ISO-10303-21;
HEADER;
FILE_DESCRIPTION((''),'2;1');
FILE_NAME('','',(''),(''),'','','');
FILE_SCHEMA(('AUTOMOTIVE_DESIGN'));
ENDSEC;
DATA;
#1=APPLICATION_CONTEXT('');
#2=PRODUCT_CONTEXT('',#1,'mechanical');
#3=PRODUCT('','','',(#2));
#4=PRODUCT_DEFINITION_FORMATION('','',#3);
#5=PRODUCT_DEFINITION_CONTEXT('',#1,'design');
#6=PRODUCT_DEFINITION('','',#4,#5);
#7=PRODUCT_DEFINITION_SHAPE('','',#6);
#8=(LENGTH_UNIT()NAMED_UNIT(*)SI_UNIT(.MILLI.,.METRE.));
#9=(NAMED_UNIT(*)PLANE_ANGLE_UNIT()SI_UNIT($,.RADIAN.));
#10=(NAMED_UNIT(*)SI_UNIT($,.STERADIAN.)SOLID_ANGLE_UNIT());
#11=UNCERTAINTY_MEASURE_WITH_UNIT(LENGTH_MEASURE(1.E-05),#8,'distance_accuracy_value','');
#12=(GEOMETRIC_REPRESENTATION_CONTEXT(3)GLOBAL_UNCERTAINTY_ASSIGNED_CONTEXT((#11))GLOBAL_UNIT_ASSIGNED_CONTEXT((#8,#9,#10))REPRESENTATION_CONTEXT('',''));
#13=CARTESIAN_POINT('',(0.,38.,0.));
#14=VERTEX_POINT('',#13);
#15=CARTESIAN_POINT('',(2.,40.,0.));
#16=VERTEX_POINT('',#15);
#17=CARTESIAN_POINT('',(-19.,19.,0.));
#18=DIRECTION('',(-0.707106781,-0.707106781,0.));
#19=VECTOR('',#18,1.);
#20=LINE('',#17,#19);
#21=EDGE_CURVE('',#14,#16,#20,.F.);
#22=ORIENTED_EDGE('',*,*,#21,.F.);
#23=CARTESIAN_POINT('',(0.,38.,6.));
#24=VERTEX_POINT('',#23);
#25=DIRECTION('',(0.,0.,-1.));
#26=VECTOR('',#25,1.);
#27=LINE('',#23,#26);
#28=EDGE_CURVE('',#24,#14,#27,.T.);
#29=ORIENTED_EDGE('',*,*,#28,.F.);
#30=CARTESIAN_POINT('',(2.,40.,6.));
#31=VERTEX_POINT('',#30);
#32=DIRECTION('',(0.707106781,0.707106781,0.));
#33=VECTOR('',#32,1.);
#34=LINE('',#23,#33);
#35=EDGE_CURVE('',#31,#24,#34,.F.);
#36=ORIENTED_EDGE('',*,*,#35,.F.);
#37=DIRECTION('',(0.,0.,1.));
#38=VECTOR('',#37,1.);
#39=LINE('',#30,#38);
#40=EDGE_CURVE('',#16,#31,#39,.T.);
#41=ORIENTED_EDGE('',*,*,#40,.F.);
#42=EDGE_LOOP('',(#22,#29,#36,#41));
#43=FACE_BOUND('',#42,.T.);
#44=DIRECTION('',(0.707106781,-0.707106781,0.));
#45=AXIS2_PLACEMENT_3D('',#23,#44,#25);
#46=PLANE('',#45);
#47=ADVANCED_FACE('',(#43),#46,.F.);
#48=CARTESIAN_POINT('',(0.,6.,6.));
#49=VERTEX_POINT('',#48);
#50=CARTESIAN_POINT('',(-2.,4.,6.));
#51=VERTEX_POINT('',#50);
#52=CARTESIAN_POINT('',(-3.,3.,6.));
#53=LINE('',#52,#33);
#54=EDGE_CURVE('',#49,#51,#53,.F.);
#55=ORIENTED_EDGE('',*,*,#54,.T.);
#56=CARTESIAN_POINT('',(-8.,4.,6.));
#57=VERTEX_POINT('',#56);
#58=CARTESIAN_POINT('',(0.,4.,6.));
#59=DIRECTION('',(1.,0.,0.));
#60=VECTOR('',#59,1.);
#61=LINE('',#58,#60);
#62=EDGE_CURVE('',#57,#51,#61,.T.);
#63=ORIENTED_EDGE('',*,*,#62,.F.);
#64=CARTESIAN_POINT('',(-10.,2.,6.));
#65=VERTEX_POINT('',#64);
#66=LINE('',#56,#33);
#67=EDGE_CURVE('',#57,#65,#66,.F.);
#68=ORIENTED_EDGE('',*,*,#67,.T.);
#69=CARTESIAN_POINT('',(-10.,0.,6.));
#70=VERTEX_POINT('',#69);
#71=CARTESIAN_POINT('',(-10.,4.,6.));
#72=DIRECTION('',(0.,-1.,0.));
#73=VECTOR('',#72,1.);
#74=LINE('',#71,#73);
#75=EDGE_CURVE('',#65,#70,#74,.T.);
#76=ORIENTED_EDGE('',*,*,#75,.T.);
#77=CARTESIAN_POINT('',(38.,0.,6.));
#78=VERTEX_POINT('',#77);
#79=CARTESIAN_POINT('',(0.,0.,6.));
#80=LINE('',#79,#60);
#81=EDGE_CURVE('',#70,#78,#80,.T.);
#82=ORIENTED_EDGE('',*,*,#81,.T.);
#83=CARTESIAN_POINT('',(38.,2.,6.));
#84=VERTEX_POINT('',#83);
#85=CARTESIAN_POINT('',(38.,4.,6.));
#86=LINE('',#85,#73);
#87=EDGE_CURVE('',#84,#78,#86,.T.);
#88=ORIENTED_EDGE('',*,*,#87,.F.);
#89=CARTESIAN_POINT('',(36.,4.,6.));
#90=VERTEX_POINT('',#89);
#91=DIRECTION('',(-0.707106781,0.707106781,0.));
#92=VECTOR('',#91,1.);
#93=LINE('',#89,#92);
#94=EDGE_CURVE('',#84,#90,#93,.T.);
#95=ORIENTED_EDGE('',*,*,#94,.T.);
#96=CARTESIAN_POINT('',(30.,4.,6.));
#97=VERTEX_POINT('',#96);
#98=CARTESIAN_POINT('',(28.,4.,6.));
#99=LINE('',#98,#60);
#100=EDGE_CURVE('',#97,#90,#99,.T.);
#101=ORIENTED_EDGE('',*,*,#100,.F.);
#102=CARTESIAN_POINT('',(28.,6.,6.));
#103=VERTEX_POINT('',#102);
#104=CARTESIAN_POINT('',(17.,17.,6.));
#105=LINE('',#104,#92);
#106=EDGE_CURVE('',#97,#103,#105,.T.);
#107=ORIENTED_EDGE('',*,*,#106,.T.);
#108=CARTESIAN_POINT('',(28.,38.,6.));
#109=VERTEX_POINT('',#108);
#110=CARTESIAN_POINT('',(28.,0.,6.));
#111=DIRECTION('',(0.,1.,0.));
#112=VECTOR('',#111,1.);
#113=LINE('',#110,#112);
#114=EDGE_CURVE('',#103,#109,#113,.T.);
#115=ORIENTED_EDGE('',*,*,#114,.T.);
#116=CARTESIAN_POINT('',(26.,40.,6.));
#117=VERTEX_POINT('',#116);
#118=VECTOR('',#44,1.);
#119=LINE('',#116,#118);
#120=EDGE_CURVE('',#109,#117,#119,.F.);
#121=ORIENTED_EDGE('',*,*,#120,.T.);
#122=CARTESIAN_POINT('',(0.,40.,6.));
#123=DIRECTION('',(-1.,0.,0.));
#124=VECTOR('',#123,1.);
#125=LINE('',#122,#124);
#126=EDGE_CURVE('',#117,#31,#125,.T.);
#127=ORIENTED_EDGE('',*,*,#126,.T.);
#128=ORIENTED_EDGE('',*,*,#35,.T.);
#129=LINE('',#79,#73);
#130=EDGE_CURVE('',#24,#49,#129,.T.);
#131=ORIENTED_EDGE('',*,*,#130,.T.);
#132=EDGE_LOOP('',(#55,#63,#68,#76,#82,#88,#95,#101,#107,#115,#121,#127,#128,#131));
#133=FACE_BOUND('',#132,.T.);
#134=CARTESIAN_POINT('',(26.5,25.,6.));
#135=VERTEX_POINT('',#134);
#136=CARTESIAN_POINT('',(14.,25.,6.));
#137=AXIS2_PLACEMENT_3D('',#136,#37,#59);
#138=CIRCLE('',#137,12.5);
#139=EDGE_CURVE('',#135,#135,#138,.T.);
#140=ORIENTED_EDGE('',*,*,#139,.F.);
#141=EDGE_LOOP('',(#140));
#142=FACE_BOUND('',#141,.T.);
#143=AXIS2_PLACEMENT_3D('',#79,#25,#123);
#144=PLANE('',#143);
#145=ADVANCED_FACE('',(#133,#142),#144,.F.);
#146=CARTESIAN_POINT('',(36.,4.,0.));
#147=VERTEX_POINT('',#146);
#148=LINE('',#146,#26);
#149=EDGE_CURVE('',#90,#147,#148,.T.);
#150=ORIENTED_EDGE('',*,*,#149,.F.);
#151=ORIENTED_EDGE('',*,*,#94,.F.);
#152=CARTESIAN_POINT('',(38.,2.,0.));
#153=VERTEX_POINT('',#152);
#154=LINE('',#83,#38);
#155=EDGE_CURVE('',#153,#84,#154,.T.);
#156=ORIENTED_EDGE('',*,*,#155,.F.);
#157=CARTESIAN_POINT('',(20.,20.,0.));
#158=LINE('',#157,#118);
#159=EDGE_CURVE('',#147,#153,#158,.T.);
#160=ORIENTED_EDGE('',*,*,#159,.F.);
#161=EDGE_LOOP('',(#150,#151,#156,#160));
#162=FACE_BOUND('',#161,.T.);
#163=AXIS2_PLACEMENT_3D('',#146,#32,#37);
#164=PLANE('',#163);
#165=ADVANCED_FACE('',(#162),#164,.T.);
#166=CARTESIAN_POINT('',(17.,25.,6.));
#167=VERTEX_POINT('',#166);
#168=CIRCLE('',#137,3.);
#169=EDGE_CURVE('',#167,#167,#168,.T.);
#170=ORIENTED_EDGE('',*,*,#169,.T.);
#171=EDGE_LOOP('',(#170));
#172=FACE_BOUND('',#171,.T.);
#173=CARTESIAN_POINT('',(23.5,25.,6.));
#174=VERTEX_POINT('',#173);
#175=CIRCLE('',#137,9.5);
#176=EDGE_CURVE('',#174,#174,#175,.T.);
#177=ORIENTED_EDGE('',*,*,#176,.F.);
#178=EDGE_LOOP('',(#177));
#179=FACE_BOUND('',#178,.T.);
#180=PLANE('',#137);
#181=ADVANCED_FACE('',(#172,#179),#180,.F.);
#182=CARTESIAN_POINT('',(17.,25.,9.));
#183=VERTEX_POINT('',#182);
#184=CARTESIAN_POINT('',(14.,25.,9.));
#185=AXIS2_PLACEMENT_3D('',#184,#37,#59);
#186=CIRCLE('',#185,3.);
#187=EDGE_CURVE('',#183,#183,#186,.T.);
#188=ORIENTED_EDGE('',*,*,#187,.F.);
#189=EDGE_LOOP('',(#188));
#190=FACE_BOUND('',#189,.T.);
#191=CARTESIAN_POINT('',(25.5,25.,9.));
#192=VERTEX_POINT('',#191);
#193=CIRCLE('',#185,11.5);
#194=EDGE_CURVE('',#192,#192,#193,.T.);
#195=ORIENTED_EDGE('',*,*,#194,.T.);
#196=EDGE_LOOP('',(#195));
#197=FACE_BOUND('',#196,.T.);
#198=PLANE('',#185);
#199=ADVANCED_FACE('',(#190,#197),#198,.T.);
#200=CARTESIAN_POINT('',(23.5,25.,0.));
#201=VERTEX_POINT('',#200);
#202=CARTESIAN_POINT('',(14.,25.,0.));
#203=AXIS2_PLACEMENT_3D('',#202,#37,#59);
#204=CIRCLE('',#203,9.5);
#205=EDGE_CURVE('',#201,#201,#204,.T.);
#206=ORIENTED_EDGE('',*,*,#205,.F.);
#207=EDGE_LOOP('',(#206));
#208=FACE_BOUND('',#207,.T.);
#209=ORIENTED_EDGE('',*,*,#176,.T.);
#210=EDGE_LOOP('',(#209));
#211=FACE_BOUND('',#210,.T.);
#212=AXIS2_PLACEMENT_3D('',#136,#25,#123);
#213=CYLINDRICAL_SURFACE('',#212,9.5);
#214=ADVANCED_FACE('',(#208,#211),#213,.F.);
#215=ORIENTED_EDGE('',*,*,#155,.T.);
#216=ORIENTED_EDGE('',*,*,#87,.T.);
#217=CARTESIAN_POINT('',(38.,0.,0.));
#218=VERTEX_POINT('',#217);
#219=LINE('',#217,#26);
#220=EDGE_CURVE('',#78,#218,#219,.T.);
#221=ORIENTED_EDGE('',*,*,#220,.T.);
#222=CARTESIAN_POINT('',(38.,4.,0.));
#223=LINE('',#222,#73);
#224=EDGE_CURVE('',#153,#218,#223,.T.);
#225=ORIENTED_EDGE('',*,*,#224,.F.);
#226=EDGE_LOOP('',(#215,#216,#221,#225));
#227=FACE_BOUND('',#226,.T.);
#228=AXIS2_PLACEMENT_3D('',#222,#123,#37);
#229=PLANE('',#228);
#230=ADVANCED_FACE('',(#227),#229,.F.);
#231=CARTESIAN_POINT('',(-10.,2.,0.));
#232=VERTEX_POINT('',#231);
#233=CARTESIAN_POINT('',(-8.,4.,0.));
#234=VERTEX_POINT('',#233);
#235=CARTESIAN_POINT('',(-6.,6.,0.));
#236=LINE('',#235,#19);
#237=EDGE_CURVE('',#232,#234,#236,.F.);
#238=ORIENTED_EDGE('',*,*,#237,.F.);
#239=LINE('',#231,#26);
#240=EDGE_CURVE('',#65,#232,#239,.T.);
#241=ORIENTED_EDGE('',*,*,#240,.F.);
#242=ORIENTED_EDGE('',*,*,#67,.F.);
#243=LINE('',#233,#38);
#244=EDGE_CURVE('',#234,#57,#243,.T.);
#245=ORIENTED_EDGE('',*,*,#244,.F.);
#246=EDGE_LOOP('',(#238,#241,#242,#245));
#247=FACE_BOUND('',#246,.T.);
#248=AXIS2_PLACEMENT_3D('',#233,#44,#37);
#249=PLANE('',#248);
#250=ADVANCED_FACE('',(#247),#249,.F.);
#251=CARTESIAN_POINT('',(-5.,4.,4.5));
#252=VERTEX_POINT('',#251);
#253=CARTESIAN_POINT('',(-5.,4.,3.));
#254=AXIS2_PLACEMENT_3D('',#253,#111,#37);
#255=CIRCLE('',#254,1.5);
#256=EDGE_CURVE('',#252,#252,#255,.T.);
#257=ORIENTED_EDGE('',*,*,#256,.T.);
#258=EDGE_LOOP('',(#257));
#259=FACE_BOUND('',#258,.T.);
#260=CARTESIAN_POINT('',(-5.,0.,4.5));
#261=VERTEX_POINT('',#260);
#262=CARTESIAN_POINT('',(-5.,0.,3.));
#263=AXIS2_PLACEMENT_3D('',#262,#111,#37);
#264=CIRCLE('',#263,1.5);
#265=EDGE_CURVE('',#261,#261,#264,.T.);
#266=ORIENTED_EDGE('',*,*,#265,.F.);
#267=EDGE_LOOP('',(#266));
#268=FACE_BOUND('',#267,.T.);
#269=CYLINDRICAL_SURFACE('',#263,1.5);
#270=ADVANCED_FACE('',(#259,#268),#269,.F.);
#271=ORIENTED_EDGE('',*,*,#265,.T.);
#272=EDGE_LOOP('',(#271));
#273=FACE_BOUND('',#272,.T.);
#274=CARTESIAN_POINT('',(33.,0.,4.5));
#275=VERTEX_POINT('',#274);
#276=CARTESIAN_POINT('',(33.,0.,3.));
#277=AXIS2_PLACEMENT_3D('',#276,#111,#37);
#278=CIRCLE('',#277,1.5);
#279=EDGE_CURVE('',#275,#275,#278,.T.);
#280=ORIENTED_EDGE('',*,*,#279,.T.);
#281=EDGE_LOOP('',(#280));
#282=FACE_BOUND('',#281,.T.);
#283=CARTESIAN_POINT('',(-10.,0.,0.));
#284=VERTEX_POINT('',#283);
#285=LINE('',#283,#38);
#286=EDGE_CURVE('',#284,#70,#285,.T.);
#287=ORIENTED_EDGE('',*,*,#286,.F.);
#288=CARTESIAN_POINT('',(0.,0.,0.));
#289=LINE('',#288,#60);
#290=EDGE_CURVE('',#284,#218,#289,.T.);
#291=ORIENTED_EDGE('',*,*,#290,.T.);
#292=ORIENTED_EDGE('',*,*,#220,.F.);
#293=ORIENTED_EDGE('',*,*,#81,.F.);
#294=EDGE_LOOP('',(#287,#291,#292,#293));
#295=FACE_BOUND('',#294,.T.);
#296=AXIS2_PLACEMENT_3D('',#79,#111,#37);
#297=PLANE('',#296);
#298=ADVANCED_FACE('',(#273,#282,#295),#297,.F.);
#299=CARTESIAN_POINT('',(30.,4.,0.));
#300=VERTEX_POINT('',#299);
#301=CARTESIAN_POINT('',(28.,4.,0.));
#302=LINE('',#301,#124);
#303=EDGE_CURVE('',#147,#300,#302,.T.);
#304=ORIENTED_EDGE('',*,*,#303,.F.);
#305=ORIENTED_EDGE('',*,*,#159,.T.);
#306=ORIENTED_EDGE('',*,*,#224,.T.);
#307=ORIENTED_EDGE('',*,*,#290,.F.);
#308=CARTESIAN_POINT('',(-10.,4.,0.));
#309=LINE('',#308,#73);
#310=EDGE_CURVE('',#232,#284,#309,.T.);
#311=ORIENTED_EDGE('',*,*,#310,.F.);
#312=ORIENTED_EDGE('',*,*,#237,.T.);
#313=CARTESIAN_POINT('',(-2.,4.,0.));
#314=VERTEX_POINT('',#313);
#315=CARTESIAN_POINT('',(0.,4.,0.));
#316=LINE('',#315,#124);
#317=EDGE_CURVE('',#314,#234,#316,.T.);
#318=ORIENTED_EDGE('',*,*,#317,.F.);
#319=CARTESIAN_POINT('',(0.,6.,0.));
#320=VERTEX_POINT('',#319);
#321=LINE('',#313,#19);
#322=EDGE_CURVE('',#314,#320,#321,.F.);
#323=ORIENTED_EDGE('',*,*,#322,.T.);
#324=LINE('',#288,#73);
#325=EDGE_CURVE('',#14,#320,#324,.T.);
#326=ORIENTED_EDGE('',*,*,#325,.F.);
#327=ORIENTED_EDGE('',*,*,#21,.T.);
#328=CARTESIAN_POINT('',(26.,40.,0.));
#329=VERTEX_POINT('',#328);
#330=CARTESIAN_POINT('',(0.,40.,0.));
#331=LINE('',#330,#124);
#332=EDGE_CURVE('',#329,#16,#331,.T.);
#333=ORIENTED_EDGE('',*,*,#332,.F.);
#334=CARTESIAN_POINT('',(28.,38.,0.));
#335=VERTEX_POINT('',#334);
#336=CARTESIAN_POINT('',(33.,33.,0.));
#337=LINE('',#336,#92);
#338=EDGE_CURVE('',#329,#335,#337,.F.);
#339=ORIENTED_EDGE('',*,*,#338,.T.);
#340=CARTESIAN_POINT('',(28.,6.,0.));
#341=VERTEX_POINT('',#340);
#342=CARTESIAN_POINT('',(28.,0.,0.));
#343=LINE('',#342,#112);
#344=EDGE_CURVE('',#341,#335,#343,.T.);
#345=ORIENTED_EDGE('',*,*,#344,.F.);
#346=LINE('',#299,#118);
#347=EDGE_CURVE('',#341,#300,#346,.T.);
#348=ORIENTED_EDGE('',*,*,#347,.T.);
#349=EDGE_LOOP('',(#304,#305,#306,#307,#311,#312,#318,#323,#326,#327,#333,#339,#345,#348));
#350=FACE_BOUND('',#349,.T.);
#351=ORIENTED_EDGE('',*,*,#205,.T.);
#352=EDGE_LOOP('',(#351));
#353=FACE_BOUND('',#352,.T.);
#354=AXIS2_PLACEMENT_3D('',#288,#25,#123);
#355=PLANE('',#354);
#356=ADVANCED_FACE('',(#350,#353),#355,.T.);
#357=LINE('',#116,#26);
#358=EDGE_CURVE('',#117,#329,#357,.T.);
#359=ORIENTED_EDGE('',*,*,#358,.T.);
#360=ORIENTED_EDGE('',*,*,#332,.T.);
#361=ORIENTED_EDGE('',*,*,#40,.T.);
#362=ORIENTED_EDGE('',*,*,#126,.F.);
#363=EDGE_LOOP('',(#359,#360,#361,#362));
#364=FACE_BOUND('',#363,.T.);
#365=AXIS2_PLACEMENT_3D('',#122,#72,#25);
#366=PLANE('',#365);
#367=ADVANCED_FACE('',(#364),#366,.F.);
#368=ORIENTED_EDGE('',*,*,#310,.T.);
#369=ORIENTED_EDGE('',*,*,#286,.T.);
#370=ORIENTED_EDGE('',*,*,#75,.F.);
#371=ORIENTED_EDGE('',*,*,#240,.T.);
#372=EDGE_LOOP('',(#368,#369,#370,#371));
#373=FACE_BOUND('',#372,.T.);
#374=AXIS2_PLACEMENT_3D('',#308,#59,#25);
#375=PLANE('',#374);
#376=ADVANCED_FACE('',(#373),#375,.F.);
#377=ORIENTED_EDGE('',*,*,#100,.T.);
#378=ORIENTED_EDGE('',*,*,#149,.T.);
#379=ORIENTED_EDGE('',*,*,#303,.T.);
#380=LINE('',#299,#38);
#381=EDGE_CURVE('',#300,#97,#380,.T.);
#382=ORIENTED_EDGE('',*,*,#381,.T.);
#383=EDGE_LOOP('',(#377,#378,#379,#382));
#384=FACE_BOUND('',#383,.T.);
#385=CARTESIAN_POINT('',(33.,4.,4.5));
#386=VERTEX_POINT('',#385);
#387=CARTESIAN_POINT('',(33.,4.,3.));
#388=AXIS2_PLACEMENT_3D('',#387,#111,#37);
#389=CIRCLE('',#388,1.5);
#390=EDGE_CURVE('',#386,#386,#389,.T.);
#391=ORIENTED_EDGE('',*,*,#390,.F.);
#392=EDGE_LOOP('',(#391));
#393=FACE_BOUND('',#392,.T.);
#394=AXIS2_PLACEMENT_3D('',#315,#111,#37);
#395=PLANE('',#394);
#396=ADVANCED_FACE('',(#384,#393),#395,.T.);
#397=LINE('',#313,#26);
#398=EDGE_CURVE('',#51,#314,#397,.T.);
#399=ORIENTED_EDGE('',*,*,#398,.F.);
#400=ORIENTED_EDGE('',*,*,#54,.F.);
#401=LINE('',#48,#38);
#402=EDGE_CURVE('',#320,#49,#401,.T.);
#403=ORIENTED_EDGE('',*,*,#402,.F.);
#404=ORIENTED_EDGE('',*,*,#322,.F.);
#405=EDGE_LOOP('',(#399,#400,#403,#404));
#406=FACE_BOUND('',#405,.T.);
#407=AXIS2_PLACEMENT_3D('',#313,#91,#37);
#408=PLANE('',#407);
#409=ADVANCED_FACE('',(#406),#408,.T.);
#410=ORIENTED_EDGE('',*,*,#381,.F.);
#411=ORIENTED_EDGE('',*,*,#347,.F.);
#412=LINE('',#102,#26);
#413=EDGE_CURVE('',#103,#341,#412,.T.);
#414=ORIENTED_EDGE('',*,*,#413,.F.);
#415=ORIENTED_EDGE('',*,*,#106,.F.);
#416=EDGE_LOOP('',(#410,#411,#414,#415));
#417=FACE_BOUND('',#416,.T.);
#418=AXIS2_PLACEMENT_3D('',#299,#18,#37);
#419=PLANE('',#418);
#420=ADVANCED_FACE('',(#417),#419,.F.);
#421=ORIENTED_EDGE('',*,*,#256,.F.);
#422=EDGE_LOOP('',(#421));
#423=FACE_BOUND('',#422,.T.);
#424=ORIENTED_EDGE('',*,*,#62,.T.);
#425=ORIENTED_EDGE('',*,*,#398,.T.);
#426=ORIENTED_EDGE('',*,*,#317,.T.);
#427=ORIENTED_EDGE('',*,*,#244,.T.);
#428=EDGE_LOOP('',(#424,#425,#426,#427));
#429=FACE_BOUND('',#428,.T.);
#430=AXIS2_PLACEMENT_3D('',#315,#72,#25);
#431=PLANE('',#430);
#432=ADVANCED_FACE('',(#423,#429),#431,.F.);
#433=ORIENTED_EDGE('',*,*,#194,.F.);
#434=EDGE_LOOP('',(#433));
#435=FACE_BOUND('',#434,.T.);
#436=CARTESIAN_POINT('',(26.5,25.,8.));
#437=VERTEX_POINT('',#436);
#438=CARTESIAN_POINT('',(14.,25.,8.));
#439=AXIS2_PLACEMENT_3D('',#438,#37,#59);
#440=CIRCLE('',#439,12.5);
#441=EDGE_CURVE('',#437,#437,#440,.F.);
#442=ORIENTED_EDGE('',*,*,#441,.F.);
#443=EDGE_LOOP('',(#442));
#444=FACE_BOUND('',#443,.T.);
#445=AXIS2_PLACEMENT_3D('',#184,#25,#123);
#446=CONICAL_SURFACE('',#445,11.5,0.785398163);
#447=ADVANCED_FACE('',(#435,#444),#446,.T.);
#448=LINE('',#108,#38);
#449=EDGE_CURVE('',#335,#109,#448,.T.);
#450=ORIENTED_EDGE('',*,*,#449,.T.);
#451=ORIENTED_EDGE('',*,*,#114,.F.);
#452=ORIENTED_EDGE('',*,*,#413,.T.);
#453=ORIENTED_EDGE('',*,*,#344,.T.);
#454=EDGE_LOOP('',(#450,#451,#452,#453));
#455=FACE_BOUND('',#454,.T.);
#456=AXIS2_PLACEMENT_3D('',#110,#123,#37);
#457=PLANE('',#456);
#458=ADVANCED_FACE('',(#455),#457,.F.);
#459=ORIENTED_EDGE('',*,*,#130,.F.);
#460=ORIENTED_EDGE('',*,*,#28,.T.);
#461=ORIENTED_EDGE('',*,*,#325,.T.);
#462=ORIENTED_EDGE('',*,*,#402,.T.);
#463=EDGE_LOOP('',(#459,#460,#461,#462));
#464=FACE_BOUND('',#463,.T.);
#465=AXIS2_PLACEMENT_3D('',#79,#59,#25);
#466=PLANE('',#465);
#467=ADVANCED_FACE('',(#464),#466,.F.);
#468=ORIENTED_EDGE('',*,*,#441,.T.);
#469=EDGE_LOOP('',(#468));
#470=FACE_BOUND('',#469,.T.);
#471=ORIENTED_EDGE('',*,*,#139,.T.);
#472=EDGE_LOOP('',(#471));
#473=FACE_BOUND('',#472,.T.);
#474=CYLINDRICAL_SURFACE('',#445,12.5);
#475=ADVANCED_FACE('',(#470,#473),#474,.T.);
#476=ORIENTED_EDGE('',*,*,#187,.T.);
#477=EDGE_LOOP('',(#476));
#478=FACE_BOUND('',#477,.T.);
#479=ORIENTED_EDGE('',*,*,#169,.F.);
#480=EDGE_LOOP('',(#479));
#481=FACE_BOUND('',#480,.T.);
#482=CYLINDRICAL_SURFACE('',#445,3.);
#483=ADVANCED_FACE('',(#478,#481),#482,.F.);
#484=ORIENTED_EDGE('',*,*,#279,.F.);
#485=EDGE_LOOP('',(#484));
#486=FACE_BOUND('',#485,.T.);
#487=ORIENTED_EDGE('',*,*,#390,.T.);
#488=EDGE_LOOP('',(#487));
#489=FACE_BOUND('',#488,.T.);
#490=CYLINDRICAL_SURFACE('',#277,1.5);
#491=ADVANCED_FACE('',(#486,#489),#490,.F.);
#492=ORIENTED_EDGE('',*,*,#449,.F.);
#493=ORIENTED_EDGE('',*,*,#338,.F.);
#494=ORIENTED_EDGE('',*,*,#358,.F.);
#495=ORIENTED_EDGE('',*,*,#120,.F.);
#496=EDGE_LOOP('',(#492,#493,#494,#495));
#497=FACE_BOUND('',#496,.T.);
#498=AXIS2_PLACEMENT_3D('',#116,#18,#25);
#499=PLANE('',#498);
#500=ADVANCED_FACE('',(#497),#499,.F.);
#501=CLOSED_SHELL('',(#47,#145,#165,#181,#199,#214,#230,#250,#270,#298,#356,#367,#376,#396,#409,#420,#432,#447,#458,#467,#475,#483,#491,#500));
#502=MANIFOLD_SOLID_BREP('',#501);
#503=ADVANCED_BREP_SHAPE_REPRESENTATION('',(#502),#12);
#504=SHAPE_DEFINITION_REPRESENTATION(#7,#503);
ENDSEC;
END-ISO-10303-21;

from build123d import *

# Parameters (mm, degrees)
SKETCH1_W           = 28
SKETCH1_H           = 40
SKETCH1_R           = 9.5
BOSS_EXTRUDE1_DEPTH = 6
SKETCH2_W           = 10
SKETCH2_H           = 6
BOSS_EXTRUDE2_DEPTH = 4
CHAMFER1_SIZE       = 2
SKETCH3_R           = 1.5
CUT_EXTRUDE1_DEPTH  = 53.687759489
SKETCH4_R           = 12.5
SKETCH4_R_2         = 3
BOSS_EXTRUDE3_DEPTH = 3
CHAMFER2_SIZE       = 1


with BuildPart() as part:
    # Sketch1 → Boss-Extrude1 (new body)
    with BuildSketch(Plane.XY):
        with Locations((14, 20)):
            Rectangle(SKETCH1_W, SKETCH1_H)
        with Locations((14, 25)):
            Circle(SKETCH1_R, mode=Mode.SUBTRACT)
    extrude(amount=BOSS_EXTRUDE1_DEPTH)

    # Sketch2 → Boss-Extrude2 (add)
    with BuildSketch(Plane(origin=(0, 0, 0), x_dir=(1, 0, 0), z_dir=(0, 1, 0))):
        with Locations((-5, -3)):
            Rectangle(SKETCH2_W, SKETCH2_H)
        with Locations((33, -3)):
            Rectangle(SKETCH2_W, SKETCH2_H)
    extrude(amount=BOSS_EXTRUDE2_DEPTH)

    # Chamfer1
    chamfer1_edges = [part.edges().sort_by_distance(p)[0] for p in [
        (0, 4, 3),
        (-10, 4, 3),
        (28, 4, 3),
        (38, 4, 3),
        (0, 40, 3),
        (28, 40, 3),
    ]]
    chamfer(chamfer1_edges, length=CHAMFER1_SIZE)

    # Sketch3 → Cut-Extrude1 (cut, through all)
    with BuildSketch(Plane(origin=(0, 4, 0), x_dir=(1, 0, 0), z_dir=(0, 1, 0))):
        with Locations(Location((-5, -3, 0), (0, 0, 270))):
            Circle(SKETCH3_R)
        with Locations(Location((33, -3, 0), (0, 0, 270))):
            Circle(SKETCH3_R)
    extrude(amount=-CUT_EXTRUDE1_DEPTH, mode=Mode.SUBTRACT)

    # Sketch4 → Boss-Extrude3 (add)
    with BuildSketch(Plane.XY.offset(6)):
        with Locations((14, 25)):
            Circle(SKETCH4_R)
        with Locations((14, 25)):
            Circle(SKETCH4_R_2, mode=Mode.SUBTRACT)
    extrude(amount=BOSS_EXTRUDE3_DEPTH)

    # Chamfer2
    chamfer2_edges = [part.edges().sort_by_distance(p)[0] for p in [
        (1.5, 25, 9),
    ]]
    chamfer(chamfer2_edges, length=CHAMFER2_SIZE)


solid = part.part
